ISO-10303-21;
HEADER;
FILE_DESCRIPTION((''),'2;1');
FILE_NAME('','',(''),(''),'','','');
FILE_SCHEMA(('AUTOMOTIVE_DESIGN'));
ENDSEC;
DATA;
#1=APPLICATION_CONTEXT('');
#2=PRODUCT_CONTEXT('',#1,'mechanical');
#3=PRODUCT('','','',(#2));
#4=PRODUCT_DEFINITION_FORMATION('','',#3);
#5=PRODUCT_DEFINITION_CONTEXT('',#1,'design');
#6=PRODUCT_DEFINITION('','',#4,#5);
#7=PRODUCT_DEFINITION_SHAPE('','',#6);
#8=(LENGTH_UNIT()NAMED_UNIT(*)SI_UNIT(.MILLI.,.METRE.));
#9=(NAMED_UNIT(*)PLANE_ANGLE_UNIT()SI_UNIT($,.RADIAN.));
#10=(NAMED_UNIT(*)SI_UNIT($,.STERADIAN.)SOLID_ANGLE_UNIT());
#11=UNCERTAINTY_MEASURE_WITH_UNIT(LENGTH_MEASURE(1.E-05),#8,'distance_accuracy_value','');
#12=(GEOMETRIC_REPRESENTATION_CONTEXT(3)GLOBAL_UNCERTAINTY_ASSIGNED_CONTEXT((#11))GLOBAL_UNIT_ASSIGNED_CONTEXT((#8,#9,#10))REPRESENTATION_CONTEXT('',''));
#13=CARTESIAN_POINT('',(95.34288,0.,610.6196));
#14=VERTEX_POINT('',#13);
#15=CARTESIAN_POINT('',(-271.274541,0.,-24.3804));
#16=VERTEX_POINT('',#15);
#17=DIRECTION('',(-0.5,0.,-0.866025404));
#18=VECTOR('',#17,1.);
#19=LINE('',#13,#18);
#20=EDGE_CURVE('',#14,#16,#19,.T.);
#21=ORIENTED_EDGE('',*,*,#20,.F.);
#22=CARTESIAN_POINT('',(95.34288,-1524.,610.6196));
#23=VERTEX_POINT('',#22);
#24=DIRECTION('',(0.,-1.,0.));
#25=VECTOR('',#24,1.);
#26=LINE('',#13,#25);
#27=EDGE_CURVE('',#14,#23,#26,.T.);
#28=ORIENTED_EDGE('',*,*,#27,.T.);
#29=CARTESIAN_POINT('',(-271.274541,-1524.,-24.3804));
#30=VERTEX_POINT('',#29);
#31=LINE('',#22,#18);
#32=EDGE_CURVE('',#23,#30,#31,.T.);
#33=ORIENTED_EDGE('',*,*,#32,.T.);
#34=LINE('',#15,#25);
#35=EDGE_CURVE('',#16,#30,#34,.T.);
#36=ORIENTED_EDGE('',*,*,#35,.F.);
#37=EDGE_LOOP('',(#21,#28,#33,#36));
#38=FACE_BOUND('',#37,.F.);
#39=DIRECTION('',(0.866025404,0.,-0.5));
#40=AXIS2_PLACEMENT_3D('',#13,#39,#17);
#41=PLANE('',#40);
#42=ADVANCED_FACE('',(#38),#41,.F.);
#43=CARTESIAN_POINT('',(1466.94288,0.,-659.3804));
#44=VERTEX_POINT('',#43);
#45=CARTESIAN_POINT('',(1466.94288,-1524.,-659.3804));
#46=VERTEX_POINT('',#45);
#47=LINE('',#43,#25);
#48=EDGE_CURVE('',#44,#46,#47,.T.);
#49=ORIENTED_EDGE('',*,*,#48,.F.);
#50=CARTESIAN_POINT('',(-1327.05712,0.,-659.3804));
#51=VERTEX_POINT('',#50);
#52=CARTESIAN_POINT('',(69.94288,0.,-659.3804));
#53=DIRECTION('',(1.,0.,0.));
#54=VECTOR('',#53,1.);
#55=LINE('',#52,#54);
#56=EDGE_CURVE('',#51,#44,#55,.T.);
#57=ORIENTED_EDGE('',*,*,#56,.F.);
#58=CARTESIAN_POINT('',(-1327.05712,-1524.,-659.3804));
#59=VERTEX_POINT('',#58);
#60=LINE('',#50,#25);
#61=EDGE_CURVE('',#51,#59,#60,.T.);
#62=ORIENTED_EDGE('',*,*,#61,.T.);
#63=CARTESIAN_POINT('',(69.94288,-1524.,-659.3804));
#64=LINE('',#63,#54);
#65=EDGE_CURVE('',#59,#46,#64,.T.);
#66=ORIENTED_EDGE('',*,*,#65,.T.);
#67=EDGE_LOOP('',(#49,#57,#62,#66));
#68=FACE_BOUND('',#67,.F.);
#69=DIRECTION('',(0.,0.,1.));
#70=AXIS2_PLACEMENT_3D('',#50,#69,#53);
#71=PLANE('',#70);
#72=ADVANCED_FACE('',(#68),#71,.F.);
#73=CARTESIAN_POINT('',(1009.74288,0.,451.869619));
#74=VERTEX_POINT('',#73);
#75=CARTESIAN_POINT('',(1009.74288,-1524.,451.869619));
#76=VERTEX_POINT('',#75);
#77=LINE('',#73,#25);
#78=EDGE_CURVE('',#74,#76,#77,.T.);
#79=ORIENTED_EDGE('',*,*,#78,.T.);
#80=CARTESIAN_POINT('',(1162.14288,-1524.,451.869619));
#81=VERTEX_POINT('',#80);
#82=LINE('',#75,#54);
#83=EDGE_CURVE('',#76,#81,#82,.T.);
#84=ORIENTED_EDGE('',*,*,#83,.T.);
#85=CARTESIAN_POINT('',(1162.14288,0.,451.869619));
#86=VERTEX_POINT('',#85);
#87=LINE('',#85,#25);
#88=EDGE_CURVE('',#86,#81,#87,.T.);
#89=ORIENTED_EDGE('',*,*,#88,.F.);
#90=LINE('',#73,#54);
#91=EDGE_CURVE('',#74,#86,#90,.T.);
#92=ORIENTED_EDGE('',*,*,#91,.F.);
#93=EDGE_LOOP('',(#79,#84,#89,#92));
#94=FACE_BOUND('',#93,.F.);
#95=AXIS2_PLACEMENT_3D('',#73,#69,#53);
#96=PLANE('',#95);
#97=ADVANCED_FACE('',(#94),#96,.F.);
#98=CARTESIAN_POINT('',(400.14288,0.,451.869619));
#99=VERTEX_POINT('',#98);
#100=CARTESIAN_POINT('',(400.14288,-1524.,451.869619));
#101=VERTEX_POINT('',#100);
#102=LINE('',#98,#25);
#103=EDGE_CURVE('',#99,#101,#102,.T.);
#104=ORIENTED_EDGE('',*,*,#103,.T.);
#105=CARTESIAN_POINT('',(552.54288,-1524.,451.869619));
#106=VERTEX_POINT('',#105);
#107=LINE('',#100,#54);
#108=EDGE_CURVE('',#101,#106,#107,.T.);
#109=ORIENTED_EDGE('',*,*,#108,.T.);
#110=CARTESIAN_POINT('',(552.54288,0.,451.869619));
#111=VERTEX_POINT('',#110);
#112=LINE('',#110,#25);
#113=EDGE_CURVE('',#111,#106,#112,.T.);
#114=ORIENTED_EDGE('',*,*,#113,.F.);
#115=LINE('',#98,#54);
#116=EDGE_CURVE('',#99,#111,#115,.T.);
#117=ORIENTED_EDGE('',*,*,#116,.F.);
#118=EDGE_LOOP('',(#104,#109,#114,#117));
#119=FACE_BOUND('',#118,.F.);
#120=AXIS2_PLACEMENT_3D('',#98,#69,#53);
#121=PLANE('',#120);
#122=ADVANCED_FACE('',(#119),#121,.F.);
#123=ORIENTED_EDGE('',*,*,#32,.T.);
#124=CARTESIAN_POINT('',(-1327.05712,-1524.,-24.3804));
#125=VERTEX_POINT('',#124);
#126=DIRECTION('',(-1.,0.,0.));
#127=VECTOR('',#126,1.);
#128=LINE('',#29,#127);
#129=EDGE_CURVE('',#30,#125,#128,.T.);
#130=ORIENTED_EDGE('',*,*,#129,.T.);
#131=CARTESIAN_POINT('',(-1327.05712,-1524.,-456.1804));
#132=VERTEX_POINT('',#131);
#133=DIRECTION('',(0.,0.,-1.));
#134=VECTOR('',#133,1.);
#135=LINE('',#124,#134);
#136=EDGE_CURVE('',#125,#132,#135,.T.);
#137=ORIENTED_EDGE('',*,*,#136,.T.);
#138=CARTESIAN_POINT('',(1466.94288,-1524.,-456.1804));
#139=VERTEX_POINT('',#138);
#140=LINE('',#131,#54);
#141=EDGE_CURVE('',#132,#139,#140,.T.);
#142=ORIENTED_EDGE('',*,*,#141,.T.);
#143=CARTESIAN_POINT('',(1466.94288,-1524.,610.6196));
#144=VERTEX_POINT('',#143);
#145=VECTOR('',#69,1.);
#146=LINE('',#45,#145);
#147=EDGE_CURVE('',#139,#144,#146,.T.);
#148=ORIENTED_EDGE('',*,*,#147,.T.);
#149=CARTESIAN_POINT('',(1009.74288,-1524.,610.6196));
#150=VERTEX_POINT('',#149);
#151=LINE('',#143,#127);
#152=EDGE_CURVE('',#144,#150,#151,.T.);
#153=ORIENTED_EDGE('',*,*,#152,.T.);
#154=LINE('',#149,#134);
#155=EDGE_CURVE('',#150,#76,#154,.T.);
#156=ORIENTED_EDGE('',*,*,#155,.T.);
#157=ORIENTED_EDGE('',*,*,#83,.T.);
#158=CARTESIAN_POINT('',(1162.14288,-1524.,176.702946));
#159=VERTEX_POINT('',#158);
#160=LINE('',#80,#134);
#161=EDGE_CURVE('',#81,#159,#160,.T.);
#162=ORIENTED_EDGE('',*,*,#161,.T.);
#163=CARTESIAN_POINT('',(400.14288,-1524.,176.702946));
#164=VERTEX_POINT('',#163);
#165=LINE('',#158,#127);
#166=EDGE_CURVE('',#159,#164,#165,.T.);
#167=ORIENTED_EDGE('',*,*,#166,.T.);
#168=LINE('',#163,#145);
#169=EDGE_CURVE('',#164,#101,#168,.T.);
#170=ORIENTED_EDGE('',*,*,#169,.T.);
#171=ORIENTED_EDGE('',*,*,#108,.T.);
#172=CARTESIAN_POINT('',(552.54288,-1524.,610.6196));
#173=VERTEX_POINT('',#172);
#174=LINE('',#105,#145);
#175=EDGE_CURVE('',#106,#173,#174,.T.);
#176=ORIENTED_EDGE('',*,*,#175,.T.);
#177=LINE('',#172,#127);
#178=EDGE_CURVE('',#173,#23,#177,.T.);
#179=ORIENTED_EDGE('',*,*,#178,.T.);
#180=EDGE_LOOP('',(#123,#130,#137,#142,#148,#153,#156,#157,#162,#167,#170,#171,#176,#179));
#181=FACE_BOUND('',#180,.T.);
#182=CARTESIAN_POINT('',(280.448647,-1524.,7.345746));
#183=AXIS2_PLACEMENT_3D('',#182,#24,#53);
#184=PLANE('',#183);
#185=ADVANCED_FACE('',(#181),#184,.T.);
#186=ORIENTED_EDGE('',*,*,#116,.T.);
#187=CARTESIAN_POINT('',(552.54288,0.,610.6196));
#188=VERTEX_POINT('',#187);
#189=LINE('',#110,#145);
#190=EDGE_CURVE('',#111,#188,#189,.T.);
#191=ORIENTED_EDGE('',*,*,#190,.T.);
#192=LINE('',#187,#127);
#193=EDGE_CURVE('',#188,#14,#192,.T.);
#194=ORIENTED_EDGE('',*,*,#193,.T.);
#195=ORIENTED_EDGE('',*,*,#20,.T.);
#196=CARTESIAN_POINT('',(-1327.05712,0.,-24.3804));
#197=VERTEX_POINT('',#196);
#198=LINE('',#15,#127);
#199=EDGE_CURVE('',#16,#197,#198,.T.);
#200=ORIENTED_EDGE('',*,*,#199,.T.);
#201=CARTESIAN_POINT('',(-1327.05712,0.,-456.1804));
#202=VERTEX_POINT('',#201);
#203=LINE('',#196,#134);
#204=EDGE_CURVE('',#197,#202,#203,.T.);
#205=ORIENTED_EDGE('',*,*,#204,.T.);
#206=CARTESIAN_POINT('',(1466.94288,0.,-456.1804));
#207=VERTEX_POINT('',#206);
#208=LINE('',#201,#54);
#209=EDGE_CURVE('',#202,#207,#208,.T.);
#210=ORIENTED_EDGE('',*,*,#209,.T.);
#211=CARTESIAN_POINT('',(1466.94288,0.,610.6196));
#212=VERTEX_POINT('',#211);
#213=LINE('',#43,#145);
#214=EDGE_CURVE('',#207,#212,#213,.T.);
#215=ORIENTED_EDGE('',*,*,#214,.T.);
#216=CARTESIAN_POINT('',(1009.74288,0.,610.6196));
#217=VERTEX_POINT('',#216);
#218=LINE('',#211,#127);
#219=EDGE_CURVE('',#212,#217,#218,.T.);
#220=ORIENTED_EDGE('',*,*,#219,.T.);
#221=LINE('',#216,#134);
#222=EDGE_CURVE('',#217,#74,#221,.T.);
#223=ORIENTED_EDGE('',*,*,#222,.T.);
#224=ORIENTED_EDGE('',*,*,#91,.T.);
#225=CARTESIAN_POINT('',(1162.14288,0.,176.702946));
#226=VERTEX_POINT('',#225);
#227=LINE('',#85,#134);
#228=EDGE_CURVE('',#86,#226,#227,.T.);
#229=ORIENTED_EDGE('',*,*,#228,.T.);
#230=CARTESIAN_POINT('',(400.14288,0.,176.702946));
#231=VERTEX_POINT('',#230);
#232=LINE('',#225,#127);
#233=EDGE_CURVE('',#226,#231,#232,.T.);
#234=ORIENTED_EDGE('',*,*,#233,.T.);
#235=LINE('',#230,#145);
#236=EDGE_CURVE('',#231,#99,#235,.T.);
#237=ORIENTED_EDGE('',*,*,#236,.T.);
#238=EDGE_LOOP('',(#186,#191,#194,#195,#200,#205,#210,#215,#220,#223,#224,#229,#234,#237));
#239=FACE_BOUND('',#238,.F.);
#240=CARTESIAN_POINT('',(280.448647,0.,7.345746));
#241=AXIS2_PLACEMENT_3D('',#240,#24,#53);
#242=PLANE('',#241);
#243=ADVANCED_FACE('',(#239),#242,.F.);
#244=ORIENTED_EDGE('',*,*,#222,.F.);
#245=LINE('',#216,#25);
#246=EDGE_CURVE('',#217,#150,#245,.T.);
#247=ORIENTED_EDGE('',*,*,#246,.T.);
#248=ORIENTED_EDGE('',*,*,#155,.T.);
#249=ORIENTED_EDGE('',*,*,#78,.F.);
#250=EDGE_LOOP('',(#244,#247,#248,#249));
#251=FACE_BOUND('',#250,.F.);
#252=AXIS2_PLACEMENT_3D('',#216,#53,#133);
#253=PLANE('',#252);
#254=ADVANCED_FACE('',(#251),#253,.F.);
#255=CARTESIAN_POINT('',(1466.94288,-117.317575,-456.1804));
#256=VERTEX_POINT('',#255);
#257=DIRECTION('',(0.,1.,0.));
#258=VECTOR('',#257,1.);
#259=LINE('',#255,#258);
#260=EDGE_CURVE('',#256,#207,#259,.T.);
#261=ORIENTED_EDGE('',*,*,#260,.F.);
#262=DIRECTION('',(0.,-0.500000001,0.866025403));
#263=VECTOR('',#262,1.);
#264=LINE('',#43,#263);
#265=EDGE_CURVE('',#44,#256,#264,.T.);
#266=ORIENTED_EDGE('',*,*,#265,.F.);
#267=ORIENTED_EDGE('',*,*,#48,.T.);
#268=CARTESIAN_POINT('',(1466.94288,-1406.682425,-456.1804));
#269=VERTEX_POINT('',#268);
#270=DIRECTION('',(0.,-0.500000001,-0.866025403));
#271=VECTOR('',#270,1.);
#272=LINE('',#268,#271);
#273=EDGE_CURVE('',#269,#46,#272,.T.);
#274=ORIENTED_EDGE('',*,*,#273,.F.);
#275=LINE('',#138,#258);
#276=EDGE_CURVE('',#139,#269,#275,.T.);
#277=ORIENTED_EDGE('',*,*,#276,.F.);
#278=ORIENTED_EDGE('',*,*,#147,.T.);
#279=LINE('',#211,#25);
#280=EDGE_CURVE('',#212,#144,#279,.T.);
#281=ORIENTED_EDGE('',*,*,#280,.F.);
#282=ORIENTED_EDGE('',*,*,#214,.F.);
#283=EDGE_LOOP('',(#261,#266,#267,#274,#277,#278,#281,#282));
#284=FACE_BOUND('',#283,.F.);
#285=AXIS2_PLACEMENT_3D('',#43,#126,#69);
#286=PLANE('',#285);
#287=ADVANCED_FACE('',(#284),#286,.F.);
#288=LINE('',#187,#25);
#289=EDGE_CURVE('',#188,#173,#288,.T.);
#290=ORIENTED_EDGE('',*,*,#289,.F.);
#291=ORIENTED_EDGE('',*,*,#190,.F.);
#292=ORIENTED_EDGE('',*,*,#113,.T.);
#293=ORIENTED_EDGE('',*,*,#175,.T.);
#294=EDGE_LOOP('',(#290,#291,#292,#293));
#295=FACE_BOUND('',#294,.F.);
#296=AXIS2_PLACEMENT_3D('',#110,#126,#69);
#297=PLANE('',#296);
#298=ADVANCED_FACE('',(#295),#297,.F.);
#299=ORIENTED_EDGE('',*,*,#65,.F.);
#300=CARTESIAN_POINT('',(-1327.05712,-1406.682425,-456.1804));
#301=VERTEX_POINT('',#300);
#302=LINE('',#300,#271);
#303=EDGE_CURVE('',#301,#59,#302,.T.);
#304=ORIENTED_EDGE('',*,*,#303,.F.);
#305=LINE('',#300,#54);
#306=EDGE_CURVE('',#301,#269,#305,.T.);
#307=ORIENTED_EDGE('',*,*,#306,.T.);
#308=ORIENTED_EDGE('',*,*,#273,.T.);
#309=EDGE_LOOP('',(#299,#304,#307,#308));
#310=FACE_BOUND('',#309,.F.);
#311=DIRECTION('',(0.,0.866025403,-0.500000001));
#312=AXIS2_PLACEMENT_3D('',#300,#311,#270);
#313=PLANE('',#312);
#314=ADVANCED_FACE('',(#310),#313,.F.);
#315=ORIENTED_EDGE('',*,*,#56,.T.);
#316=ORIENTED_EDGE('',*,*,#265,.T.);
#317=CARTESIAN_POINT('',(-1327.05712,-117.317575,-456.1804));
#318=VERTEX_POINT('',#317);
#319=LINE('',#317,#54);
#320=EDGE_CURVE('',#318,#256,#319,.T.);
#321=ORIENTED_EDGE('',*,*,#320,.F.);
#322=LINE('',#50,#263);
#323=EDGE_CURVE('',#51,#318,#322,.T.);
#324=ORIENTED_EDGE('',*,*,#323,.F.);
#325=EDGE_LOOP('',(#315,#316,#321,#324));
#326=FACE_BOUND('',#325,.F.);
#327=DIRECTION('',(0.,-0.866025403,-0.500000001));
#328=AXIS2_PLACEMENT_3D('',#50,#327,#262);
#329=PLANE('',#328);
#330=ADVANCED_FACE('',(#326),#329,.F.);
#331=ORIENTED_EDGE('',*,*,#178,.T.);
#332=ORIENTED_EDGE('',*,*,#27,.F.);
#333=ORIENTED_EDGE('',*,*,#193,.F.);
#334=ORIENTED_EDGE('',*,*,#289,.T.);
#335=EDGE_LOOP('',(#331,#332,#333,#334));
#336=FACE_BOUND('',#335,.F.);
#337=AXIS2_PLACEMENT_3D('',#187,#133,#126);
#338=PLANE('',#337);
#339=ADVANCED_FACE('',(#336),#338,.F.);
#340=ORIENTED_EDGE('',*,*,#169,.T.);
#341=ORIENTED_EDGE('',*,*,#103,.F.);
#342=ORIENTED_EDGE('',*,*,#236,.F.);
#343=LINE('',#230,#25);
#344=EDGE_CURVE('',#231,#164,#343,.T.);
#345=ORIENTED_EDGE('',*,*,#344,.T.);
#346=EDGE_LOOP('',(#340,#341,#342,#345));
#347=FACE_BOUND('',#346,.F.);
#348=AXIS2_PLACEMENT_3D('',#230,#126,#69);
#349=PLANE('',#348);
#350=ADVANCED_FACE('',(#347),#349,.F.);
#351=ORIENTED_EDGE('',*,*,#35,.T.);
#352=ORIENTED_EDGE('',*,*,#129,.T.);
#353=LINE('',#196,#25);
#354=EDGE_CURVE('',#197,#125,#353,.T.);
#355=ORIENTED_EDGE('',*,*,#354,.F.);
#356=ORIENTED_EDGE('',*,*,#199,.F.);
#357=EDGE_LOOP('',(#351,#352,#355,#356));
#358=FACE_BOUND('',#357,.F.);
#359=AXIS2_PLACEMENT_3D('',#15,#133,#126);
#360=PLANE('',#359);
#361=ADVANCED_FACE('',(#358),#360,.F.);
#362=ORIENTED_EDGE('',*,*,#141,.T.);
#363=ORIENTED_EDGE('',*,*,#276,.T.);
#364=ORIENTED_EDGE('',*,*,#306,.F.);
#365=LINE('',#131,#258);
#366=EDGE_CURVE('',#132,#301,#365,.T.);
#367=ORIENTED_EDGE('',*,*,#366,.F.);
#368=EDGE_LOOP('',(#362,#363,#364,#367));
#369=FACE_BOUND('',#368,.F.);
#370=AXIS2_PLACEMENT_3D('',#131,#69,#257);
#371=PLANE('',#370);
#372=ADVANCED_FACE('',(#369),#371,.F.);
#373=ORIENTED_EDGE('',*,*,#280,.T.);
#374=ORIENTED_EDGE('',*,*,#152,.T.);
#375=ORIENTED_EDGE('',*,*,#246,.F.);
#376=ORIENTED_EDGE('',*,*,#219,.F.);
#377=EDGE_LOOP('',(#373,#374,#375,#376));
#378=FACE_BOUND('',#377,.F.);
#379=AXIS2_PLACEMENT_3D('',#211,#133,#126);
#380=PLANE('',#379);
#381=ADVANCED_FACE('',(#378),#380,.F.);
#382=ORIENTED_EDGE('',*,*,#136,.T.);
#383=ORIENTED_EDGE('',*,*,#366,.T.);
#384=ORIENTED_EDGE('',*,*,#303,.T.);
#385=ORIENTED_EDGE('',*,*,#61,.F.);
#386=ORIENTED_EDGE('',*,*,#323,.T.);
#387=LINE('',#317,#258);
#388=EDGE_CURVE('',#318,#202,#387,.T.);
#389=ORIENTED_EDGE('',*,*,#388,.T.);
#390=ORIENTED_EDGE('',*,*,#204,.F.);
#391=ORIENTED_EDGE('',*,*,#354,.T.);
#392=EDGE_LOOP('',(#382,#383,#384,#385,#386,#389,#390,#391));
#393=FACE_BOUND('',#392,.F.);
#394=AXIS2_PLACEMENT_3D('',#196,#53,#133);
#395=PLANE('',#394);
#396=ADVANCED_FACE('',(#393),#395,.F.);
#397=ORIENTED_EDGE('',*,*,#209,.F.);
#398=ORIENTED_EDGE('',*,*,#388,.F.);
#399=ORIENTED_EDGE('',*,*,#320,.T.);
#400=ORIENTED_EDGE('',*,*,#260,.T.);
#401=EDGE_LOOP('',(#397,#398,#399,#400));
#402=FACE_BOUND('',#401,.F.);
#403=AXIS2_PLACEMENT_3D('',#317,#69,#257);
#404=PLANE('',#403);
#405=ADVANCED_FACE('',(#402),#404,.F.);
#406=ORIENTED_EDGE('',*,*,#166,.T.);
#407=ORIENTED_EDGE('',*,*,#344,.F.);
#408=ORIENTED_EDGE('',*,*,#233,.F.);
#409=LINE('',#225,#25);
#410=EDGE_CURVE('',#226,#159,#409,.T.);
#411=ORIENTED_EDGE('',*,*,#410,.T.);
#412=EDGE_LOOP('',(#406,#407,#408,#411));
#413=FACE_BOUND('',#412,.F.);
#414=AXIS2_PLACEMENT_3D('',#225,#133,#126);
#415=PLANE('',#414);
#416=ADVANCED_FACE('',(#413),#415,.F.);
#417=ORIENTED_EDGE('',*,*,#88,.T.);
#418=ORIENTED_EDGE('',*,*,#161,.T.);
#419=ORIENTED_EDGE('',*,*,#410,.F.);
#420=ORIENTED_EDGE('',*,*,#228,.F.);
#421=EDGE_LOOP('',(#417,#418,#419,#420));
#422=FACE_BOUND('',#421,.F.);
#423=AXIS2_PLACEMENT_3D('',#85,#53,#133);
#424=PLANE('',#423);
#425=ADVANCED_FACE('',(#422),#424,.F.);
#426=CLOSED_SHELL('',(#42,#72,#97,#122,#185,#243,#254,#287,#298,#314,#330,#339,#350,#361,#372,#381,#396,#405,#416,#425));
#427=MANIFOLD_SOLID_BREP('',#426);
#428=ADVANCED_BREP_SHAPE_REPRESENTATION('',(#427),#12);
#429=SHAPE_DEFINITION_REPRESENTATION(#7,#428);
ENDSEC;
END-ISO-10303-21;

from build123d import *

# Parameters (mm, degrees)
F0_W     = 2794
F0_H     = 203.2
F1_DEPTH = 1524
F3_DEPTH = 2794


with BuildPart() as f1:
    # F0 (on Front) → F1 (new body)
    with BuildSketch(Plane.XZ):
        Polygon((-1327.05712, -24.3804), (-1327.05712, -456.1804), (1466.94288, -456.1804), (1466.94288, 610.6196), (1009.74288, 610.6196), (1009.74288, 451.869619), (1162.14288, 451.869619), (1162.14288, 176.702946), (400.14288, 176.702946), (400.14288, 451.869619), (552.54288, 451.869619), (552.54288, 610.6196), (95.34288, 610.6196), (-271.274541, -24.3804), align=None)
        with Locations((69.94288, -557.7804)):
            Rectangle(F0_W, F0_H)
    extrude(amount=F1_DEPTH)

    # F2 (on face) → F3 (cut)
    with BuildSketch(Plane(origin=(-1327.05712, 0, 0), x_dir=(0, -1, 0), z_dir=(-1, 0, 0))):
        Polygon((117.317575, -456.1804), (0, -456.1804), (0, -659.3804), align=None)
        Polygon((1524, -456.1804), (1406.682425, -456.1804), (1524, -659.3804), align=None)
    extrude(amount=-F3_DEPTH, mode=Mode.SUBTRACT)


solid = f1.part
